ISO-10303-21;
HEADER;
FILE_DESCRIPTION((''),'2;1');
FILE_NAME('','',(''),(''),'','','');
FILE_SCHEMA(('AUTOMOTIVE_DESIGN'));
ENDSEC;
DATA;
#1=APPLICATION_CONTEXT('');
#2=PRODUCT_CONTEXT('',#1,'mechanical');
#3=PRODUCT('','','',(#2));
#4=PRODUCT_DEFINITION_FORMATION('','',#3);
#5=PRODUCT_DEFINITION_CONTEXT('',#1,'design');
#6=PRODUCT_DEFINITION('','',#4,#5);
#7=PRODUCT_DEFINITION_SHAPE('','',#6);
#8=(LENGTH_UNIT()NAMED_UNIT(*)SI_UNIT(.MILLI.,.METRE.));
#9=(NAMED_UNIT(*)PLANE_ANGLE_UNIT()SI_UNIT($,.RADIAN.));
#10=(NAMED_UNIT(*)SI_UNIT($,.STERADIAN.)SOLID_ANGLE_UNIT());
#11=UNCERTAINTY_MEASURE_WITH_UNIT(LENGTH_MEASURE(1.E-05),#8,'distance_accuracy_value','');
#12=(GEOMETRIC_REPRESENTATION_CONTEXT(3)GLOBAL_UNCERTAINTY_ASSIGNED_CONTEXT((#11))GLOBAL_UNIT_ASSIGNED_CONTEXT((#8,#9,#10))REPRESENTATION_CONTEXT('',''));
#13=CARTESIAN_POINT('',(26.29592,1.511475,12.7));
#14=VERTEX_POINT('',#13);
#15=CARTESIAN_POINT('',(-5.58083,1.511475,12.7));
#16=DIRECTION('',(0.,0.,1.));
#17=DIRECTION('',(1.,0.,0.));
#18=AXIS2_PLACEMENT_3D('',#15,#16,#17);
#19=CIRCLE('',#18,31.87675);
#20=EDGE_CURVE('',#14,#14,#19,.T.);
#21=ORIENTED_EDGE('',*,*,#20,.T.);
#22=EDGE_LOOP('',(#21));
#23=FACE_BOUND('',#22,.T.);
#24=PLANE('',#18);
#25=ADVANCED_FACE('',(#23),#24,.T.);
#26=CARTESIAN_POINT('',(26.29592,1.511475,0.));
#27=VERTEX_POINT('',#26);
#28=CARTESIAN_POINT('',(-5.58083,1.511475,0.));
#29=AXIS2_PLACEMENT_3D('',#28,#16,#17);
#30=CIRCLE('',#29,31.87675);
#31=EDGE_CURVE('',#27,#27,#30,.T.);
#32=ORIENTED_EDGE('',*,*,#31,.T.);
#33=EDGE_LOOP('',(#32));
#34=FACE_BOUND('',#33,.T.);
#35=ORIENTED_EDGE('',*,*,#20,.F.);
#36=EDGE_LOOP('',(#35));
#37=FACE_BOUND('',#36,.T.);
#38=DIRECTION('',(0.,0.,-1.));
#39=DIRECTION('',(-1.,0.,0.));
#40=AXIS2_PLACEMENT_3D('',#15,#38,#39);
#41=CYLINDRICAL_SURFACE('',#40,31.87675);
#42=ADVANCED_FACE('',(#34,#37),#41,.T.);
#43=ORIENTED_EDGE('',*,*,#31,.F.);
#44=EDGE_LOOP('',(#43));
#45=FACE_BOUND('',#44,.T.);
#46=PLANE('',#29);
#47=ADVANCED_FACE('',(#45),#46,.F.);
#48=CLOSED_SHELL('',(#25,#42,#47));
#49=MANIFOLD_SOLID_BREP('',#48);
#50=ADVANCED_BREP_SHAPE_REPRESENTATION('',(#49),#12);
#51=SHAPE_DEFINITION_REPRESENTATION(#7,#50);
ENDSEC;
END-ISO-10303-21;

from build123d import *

# Parameters (mm, degrees)
SKETCH1_R           = 31.876749668
BOSS_EXTRUDE1_DEPTH = 12.7


with BuildPart() as part:
    # Sketch1 → Boss-Extrude1 (new body)
    with BuildSketch(Plane.XY):
        with Locations((-5.58082972, 1.511474716)):
            Circle(SKETCH1_R)
    extrude(amount=BOSS_EXTRUDE1_DEPTH)


solid = part.part
